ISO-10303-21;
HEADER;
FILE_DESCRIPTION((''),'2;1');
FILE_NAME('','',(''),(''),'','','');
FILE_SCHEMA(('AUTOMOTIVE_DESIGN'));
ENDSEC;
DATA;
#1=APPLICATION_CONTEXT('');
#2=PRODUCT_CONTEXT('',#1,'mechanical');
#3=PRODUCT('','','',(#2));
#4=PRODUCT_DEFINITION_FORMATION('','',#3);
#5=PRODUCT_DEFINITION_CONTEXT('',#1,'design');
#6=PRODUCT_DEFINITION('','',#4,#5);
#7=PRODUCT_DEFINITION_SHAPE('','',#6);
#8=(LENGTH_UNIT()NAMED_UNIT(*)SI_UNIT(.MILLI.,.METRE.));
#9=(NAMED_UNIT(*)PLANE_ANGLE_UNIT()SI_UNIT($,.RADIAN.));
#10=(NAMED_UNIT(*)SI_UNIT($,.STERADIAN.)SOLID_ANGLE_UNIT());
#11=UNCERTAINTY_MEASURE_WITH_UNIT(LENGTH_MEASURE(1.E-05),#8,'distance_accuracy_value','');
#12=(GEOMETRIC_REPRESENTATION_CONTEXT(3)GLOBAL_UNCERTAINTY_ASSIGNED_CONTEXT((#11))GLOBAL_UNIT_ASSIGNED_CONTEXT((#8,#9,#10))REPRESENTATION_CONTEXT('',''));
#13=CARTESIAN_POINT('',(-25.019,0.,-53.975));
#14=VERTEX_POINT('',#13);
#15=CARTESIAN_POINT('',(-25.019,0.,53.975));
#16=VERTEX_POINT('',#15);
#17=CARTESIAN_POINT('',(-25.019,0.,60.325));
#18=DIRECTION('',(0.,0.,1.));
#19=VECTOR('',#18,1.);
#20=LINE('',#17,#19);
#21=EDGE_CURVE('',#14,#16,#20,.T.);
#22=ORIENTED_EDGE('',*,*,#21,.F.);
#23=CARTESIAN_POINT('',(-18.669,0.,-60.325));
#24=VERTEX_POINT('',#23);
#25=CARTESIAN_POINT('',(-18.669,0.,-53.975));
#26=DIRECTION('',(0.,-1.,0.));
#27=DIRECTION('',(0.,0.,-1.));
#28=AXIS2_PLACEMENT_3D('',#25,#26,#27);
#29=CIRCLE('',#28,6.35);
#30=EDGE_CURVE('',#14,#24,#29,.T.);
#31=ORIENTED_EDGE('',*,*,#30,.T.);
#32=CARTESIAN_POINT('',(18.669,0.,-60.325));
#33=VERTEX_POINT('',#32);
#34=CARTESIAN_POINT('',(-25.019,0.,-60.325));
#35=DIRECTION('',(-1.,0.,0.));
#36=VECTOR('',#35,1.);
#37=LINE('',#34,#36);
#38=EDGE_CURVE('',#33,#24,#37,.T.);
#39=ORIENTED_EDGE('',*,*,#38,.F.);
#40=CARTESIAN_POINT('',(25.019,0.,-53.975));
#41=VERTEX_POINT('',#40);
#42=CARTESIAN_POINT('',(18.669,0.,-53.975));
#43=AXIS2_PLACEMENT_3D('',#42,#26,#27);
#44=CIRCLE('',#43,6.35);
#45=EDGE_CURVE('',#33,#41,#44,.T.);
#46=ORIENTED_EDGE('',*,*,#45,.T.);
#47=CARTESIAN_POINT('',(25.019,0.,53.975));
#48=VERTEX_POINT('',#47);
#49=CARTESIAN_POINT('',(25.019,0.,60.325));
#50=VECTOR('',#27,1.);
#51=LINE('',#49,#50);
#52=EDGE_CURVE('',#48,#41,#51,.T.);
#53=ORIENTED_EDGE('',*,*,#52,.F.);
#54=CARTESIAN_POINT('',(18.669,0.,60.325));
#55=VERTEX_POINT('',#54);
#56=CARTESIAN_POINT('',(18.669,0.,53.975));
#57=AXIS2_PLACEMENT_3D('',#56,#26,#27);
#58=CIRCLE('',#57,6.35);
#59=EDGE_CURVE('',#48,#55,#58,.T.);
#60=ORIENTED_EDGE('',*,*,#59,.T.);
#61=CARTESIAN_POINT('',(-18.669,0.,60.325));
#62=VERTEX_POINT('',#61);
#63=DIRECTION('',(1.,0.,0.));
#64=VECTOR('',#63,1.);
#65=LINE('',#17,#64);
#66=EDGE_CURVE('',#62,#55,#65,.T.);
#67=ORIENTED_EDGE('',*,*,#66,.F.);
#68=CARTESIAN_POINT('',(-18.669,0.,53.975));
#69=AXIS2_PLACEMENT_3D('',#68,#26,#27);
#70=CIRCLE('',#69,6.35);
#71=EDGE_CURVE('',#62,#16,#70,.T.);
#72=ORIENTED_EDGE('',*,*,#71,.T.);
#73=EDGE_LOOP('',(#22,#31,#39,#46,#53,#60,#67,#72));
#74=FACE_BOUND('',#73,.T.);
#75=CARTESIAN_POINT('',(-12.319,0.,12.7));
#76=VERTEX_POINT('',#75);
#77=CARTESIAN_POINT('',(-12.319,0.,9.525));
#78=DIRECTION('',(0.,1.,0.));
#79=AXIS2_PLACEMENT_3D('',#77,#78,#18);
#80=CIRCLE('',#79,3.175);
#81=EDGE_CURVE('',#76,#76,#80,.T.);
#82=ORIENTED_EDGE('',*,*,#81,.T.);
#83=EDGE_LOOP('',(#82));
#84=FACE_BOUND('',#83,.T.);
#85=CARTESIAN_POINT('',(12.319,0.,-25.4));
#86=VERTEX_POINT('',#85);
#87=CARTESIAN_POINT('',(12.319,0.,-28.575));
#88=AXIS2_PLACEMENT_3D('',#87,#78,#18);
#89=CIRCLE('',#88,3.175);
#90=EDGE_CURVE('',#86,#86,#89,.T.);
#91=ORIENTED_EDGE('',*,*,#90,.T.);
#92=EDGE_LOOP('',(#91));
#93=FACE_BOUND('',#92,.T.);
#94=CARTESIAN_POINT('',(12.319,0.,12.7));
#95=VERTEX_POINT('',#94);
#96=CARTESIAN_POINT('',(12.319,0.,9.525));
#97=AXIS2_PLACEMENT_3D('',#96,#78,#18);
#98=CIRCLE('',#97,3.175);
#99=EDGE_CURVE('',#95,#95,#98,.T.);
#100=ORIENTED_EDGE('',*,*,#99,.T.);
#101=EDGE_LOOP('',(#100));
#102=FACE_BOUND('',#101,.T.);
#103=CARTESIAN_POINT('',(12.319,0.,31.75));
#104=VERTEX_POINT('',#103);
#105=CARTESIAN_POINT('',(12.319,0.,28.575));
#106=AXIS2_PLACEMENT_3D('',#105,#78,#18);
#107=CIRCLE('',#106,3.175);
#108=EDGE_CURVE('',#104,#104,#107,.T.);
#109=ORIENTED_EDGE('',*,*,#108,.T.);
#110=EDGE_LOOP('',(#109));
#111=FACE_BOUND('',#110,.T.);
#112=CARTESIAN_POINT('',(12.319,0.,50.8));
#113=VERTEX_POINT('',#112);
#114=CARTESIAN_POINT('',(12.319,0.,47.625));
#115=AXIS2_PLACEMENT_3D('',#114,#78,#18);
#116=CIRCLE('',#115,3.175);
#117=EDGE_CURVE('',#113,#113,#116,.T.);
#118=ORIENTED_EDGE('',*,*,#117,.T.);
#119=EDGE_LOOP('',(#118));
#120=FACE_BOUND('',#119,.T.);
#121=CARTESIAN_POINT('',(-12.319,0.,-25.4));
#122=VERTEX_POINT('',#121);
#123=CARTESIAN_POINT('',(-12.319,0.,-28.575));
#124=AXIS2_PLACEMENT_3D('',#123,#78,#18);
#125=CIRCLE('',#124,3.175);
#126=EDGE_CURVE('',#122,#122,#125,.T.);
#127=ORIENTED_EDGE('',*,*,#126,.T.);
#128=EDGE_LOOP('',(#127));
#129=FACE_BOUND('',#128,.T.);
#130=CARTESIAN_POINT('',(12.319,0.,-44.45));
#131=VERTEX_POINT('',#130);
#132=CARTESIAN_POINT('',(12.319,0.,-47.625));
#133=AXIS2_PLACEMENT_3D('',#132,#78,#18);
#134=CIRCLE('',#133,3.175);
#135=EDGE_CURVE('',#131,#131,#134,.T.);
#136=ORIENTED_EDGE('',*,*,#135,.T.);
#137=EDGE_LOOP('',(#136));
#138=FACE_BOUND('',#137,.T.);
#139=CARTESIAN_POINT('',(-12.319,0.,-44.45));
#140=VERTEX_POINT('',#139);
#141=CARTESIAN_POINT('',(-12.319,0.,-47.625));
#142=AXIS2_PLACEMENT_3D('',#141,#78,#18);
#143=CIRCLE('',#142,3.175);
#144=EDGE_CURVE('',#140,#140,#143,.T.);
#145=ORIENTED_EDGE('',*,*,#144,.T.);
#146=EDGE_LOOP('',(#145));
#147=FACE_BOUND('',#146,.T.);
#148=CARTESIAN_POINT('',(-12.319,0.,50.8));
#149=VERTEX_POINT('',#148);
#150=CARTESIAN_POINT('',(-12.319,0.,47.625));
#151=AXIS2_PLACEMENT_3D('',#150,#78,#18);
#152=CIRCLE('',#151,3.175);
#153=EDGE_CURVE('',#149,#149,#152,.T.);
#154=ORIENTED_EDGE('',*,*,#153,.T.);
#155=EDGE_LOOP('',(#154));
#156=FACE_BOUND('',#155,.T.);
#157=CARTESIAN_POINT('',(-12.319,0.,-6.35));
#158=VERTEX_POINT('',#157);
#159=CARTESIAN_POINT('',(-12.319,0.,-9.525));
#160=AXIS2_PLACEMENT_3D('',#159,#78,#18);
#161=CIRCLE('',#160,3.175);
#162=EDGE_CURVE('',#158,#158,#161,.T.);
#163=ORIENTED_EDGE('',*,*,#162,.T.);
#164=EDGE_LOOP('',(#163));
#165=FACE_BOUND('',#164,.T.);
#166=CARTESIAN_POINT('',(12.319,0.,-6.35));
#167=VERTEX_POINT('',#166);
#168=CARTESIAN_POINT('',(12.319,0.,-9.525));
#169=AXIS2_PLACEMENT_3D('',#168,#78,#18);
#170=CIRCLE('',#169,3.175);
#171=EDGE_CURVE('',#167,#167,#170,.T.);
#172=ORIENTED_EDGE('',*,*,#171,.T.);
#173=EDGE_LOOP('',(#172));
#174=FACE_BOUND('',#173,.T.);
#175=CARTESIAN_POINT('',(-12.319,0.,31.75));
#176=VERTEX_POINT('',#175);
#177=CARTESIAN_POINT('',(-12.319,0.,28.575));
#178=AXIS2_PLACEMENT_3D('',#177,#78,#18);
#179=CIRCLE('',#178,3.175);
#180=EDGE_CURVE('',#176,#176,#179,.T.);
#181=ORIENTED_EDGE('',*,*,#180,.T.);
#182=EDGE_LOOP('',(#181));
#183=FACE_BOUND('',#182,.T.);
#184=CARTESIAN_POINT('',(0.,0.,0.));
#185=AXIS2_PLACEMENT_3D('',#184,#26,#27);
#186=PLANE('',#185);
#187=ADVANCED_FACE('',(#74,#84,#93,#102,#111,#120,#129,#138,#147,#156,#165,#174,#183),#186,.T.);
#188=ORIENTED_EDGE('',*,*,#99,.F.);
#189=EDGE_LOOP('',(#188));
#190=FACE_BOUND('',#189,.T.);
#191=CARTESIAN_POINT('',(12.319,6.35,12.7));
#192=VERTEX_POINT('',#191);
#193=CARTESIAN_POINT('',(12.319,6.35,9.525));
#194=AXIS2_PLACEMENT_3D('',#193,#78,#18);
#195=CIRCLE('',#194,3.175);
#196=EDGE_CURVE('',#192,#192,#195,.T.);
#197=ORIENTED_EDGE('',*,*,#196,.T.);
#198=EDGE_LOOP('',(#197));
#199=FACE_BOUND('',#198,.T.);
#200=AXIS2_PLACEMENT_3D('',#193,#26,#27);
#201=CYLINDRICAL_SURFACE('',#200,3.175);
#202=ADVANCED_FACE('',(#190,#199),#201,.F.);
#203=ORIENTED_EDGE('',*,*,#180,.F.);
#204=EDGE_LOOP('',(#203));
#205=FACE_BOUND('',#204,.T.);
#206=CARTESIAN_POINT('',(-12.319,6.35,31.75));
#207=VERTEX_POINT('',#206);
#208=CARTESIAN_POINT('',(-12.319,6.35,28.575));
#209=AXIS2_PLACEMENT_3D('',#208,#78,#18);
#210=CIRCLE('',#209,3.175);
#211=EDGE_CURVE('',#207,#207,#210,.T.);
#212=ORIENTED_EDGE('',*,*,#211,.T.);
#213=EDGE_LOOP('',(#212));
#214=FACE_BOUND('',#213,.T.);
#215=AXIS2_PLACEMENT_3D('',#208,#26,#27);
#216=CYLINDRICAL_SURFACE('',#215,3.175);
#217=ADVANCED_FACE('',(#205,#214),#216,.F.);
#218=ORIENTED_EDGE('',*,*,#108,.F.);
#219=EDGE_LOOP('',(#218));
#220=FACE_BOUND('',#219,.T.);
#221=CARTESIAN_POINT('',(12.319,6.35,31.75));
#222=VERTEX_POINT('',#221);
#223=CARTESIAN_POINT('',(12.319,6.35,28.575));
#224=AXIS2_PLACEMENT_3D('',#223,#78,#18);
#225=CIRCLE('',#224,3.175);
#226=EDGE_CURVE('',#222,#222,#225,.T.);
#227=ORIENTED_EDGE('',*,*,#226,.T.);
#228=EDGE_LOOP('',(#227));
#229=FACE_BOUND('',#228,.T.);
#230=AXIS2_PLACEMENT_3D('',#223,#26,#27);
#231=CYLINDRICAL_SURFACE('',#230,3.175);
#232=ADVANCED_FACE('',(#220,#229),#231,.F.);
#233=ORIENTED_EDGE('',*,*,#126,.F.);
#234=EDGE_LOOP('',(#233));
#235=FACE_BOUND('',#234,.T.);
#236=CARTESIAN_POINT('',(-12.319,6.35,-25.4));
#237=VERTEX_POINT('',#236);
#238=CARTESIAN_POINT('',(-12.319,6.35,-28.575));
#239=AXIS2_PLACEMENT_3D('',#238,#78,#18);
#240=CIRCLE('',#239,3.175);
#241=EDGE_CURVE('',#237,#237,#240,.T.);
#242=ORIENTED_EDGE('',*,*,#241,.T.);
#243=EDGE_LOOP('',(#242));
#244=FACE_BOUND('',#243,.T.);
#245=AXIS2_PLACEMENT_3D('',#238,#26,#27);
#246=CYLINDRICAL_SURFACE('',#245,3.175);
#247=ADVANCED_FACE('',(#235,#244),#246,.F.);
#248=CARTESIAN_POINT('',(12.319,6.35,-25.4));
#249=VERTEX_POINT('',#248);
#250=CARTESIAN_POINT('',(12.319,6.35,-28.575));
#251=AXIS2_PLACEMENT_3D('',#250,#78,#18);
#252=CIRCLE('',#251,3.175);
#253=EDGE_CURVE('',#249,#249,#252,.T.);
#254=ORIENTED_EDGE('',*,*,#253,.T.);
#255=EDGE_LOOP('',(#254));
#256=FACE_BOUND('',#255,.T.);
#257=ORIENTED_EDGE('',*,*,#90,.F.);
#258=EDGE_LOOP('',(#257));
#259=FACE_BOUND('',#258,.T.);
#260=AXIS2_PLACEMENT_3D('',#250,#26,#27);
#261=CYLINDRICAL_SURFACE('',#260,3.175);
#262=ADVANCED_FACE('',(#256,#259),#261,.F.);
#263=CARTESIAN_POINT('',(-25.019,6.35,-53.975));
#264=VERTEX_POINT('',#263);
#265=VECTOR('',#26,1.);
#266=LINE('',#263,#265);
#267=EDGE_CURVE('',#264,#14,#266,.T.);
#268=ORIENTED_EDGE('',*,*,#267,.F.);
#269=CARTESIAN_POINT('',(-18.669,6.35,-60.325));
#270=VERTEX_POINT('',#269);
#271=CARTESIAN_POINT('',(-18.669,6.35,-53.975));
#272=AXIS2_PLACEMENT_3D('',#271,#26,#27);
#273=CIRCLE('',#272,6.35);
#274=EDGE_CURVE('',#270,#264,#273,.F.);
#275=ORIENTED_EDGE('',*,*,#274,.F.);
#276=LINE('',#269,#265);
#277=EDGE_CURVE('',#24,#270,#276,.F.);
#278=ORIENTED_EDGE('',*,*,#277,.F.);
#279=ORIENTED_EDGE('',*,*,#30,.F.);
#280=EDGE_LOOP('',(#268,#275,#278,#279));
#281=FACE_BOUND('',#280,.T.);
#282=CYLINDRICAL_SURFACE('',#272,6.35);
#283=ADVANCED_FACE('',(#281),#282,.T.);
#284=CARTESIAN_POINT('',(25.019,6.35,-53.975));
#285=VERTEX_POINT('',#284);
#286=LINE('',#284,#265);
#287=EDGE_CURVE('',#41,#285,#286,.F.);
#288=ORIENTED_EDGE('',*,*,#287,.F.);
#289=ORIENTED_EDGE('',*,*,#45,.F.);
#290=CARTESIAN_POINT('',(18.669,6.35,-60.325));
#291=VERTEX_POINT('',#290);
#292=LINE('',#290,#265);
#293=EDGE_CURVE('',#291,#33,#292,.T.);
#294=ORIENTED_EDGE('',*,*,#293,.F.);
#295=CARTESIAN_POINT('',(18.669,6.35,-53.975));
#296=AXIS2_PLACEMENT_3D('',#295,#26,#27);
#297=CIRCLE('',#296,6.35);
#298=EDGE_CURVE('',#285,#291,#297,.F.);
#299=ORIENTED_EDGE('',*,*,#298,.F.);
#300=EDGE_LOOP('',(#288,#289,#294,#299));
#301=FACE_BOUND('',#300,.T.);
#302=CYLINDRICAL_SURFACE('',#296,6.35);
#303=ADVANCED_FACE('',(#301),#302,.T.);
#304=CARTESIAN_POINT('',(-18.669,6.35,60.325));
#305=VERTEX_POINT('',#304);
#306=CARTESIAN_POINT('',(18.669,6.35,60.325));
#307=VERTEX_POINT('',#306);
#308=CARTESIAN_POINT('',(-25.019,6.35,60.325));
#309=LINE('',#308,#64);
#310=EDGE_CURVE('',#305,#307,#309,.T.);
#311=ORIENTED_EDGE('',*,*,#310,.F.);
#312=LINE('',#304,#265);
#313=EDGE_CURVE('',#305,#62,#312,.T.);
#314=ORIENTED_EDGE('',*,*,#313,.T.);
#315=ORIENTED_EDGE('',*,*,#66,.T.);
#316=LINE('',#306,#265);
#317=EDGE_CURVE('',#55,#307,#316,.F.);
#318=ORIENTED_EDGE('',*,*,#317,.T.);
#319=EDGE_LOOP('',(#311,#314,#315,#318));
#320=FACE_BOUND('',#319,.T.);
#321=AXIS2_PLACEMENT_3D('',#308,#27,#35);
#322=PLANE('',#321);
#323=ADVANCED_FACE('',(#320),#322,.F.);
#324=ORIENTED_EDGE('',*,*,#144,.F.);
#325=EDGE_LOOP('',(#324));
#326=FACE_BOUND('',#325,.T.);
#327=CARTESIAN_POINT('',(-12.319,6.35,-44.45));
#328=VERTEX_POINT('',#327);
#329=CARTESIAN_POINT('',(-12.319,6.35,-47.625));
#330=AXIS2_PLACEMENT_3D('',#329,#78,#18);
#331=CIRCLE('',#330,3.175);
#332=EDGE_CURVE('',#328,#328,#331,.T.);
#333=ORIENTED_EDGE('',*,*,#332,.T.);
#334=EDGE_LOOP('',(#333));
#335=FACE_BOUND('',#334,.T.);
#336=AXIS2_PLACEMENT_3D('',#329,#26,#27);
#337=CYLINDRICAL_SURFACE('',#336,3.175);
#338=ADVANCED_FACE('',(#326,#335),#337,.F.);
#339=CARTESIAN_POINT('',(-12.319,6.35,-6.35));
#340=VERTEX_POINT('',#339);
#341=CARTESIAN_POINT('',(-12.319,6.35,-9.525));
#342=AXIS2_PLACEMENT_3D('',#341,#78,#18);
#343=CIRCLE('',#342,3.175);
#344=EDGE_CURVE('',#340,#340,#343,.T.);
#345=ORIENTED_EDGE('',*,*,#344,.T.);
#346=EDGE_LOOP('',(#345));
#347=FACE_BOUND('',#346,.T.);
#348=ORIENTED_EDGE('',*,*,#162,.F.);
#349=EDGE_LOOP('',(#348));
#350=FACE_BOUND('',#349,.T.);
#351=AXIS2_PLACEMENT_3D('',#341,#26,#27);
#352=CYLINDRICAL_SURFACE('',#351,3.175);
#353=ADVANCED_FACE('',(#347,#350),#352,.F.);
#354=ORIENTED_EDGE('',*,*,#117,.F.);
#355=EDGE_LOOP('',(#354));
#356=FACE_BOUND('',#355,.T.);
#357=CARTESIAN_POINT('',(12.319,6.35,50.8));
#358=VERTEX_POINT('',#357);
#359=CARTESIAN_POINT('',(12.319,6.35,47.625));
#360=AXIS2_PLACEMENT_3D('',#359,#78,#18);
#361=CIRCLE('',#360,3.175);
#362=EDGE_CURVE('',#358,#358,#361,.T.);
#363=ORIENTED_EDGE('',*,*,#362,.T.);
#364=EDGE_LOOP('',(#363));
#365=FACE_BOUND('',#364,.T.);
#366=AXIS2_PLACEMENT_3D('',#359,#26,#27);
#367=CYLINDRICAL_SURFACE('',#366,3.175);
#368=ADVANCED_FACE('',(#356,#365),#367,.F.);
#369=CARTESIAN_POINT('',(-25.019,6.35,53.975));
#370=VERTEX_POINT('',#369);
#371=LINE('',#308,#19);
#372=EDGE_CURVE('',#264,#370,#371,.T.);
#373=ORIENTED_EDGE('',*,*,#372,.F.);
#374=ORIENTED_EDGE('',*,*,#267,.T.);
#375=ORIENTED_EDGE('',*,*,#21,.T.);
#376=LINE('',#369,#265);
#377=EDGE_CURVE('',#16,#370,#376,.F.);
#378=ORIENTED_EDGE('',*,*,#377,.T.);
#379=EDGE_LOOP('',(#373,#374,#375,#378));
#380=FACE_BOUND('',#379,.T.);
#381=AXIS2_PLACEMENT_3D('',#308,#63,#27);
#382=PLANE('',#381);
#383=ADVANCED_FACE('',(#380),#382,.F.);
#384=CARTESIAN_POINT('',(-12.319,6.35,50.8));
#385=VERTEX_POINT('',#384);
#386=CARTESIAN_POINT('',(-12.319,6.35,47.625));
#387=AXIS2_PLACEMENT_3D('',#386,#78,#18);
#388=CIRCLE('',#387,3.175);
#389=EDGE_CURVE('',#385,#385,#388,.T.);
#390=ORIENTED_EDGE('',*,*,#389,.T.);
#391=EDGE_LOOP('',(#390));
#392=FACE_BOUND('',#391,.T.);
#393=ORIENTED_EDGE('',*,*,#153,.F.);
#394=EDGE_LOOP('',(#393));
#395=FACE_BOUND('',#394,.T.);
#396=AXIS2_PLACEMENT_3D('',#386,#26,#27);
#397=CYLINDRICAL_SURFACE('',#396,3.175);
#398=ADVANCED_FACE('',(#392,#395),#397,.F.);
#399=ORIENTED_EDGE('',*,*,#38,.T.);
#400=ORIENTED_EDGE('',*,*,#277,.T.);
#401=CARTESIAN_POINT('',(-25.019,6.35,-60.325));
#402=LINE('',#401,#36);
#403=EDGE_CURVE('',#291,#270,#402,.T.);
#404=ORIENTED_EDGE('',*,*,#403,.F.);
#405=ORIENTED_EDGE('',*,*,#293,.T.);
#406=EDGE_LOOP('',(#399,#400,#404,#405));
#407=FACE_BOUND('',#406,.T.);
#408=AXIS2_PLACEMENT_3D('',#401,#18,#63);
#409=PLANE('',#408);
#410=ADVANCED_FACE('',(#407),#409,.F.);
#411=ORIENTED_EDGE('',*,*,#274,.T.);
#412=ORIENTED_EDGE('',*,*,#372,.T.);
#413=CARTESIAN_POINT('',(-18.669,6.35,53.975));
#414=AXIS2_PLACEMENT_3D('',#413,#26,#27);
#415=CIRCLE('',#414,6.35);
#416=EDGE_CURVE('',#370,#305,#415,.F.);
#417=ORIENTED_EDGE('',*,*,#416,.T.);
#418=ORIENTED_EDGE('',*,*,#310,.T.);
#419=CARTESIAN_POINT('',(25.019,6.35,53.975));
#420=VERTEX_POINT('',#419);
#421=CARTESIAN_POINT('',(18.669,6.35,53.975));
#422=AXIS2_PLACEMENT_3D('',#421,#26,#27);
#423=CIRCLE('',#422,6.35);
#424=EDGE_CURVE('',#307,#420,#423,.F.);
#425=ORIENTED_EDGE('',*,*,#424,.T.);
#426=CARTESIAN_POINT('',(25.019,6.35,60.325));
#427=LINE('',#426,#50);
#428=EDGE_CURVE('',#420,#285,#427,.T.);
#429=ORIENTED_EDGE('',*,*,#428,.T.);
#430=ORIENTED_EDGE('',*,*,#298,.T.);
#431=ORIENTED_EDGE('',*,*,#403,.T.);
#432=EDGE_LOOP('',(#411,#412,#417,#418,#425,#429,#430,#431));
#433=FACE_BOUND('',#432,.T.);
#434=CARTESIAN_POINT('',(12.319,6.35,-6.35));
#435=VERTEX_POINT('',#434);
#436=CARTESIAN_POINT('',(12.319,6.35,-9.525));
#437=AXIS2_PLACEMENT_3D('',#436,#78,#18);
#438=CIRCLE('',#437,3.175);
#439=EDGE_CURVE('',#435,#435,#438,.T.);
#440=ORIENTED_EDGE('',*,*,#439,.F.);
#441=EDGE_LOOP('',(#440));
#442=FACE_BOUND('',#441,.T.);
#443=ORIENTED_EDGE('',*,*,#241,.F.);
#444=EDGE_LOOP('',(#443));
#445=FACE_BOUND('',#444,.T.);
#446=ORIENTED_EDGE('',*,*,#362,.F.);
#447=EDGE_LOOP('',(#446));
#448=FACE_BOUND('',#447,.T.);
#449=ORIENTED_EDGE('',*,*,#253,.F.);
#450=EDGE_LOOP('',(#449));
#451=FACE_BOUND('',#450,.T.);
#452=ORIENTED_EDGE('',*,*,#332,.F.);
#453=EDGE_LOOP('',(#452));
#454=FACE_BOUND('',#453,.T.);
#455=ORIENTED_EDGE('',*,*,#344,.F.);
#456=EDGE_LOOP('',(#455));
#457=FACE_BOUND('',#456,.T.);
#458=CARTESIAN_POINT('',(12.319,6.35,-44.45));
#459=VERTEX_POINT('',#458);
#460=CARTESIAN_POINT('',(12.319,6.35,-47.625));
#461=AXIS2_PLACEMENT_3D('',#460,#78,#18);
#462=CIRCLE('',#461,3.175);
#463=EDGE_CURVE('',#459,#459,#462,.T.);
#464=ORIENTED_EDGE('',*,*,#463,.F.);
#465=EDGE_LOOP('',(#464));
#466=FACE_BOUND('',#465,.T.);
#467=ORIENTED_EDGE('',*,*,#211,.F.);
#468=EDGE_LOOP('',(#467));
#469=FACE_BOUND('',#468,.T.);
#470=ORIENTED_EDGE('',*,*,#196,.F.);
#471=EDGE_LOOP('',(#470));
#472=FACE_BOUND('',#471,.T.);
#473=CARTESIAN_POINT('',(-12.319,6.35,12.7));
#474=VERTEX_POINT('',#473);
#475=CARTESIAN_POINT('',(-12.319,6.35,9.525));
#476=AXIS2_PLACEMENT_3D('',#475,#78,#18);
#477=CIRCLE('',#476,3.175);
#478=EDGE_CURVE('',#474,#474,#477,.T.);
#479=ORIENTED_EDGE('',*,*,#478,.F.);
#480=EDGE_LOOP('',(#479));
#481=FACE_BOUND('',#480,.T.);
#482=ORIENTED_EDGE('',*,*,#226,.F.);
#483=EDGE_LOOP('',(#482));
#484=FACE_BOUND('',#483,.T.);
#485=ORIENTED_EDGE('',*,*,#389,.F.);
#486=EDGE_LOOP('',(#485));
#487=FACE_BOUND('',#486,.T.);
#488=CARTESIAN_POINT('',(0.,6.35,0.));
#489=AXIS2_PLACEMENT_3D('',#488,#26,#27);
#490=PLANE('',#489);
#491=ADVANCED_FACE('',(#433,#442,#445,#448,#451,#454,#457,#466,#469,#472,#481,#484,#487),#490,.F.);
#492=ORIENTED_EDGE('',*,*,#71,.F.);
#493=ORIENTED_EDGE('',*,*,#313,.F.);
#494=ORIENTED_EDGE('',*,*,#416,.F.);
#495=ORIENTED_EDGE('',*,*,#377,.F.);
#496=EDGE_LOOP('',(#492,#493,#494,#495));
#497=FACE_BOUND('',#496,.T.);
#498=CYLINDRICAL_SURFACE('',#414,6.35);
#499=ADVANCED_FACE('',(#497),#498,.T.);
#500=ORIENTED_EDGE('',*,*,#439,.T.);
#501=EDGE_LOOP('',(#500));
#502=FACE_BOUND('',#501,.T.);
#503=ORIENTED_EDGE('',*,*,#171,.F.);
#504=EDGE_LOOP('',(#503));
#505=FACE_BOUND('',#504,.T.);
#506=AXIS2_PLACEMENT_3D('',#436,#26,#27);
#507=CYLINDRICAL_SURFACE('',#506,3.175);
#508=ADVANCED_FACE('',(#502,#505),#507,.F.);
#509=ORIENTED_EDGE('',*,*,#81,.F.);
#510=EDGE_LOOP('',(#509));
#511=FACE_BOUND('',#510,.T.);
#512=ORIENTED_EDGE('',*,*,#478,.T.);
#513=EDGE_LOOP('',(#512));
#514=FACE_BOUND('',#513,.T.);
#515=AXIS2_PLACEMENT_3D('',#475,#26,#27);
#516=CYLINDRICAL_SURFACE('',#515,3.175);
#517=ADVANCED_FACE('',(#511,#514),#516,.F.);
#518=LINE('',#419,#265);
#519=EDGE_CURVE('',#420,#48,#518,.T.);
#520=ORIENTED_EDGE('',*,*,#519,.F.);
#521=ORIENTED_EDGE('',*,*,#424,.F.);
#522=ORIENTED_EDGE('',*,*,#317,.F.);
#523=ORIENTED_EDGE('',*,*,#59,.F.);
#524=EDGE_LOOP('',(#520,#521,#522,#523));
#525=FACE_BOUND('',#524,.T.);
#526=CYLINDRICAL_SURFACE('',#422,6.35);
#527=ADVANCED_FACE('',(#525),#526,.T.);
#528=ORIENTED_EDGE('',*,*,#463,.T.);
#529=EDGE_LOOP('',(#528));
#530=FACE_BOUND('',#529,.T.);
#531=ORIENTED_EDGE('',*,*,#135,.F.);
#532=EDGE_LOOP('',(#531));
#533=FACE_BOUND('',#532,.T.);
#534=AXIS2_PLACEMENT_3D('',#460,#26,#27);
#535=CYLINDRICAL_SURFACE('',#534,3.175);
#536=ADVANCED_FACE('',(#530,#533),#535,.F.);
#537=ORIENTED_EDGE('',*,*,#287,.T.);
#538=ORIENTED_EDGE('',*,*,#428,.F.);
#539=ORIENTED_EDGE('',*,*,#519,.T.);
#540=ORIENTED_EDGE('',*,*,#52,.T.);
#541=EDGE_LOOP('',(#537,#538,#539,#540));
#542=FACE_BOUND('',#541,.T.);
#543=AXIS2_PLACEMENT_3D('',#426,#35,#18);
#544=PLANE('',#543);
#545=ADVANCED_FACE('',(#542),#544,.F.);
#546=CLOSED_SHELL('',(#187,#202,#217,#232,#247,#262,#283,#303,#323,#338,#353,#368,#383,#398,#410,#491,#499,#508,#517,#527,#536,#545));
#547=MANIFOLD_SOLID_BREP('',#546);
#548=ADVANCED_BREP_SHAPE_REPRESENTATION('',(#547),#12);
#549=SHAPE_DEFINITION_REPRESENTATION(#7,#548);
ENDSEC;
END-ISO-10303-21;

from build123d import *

# Parameters (mm, degrees)
SKETCH1_W           = 50.038
SKETCH1_H           = 120.65
SKETCH1_R           = 3.175
BOSS_EXTRUDE1_DEPTH = 6.35
FILLET1_R           = 6.35


with BuildPart() as part:
    # Sketch1 → Boss-Extrude1 (new body)
    with BuildSketch(Plane(origin=(0, 0, 0), x_dir=(1, 0, 0), z_dir=(0, 1, 0))):
        Rectangle(SKETCH1_W, SKETCH1_H)
        with Locations((12.319, -47.625)):
            Circle(SKETCH1_R, mode=Mode.SUBTRACT)
        with Locations((-12.319, -47.625)):
            Circle(SKETCH1_R, mode=Mode.SUBTRACT)
        with Locations((12.319, -28.575)):
            Circle(SKETCH1_R, mode=Mode.SUBTRACT)
        with Locations((-12.319, -28.575)):
            Circle(SKETCH1_R, mode=Mode.SUBTRACT)
        with Locations((12.319, -9.525)):
            Circle(SKETCH1_R, mode=Mode.SUBTRACT)
        with Locations((-12.319, -9.525)):
            Circle(SKETCH1_R, mode=Mode.SUBTRACT)
        with Locations((12.319, 9.525)):
            Circle(SKETCH1_R, mode=Mode.SUBTRACT)
        with Locations((-12.319, 9.525)):
            Circle(SKETCH1_R, mode=Mode.SUBTRACT)
        with Locations((12.319, 28.575)):
            Circle(SKETCH1_R, mode=Mode.SUBTRACT)
        with Locations((-12.319, 28.575)):
            Circle(SKETCH1_R, mode=Mode.SUBTRACT)
        with Locations((12.319, 47.625)):
            Circle(SKETCH1_R, mode=Mode.SUBTRACT)
        with Locations((-12.319, 47.625)):
            Circle(SKETCH1_R, mode=Mode.SUBTRACT)
    extrude(amount=BOSS_EXTRUDE1_DEPTH)

    # Fillet1
    fillet1_edges = [part.edges().sort_by_distance(p)[0] for p in [
        (25.019, 3.175, 60.325),
        (-25.019, 3.175, 60.325),
        (-25.019, 3.175, -60.325),
        (25.019, 3.175, -60.325),
    ]]
    fillet(fillet1_edges, radius=FILLET1_R)


solid = part.part
